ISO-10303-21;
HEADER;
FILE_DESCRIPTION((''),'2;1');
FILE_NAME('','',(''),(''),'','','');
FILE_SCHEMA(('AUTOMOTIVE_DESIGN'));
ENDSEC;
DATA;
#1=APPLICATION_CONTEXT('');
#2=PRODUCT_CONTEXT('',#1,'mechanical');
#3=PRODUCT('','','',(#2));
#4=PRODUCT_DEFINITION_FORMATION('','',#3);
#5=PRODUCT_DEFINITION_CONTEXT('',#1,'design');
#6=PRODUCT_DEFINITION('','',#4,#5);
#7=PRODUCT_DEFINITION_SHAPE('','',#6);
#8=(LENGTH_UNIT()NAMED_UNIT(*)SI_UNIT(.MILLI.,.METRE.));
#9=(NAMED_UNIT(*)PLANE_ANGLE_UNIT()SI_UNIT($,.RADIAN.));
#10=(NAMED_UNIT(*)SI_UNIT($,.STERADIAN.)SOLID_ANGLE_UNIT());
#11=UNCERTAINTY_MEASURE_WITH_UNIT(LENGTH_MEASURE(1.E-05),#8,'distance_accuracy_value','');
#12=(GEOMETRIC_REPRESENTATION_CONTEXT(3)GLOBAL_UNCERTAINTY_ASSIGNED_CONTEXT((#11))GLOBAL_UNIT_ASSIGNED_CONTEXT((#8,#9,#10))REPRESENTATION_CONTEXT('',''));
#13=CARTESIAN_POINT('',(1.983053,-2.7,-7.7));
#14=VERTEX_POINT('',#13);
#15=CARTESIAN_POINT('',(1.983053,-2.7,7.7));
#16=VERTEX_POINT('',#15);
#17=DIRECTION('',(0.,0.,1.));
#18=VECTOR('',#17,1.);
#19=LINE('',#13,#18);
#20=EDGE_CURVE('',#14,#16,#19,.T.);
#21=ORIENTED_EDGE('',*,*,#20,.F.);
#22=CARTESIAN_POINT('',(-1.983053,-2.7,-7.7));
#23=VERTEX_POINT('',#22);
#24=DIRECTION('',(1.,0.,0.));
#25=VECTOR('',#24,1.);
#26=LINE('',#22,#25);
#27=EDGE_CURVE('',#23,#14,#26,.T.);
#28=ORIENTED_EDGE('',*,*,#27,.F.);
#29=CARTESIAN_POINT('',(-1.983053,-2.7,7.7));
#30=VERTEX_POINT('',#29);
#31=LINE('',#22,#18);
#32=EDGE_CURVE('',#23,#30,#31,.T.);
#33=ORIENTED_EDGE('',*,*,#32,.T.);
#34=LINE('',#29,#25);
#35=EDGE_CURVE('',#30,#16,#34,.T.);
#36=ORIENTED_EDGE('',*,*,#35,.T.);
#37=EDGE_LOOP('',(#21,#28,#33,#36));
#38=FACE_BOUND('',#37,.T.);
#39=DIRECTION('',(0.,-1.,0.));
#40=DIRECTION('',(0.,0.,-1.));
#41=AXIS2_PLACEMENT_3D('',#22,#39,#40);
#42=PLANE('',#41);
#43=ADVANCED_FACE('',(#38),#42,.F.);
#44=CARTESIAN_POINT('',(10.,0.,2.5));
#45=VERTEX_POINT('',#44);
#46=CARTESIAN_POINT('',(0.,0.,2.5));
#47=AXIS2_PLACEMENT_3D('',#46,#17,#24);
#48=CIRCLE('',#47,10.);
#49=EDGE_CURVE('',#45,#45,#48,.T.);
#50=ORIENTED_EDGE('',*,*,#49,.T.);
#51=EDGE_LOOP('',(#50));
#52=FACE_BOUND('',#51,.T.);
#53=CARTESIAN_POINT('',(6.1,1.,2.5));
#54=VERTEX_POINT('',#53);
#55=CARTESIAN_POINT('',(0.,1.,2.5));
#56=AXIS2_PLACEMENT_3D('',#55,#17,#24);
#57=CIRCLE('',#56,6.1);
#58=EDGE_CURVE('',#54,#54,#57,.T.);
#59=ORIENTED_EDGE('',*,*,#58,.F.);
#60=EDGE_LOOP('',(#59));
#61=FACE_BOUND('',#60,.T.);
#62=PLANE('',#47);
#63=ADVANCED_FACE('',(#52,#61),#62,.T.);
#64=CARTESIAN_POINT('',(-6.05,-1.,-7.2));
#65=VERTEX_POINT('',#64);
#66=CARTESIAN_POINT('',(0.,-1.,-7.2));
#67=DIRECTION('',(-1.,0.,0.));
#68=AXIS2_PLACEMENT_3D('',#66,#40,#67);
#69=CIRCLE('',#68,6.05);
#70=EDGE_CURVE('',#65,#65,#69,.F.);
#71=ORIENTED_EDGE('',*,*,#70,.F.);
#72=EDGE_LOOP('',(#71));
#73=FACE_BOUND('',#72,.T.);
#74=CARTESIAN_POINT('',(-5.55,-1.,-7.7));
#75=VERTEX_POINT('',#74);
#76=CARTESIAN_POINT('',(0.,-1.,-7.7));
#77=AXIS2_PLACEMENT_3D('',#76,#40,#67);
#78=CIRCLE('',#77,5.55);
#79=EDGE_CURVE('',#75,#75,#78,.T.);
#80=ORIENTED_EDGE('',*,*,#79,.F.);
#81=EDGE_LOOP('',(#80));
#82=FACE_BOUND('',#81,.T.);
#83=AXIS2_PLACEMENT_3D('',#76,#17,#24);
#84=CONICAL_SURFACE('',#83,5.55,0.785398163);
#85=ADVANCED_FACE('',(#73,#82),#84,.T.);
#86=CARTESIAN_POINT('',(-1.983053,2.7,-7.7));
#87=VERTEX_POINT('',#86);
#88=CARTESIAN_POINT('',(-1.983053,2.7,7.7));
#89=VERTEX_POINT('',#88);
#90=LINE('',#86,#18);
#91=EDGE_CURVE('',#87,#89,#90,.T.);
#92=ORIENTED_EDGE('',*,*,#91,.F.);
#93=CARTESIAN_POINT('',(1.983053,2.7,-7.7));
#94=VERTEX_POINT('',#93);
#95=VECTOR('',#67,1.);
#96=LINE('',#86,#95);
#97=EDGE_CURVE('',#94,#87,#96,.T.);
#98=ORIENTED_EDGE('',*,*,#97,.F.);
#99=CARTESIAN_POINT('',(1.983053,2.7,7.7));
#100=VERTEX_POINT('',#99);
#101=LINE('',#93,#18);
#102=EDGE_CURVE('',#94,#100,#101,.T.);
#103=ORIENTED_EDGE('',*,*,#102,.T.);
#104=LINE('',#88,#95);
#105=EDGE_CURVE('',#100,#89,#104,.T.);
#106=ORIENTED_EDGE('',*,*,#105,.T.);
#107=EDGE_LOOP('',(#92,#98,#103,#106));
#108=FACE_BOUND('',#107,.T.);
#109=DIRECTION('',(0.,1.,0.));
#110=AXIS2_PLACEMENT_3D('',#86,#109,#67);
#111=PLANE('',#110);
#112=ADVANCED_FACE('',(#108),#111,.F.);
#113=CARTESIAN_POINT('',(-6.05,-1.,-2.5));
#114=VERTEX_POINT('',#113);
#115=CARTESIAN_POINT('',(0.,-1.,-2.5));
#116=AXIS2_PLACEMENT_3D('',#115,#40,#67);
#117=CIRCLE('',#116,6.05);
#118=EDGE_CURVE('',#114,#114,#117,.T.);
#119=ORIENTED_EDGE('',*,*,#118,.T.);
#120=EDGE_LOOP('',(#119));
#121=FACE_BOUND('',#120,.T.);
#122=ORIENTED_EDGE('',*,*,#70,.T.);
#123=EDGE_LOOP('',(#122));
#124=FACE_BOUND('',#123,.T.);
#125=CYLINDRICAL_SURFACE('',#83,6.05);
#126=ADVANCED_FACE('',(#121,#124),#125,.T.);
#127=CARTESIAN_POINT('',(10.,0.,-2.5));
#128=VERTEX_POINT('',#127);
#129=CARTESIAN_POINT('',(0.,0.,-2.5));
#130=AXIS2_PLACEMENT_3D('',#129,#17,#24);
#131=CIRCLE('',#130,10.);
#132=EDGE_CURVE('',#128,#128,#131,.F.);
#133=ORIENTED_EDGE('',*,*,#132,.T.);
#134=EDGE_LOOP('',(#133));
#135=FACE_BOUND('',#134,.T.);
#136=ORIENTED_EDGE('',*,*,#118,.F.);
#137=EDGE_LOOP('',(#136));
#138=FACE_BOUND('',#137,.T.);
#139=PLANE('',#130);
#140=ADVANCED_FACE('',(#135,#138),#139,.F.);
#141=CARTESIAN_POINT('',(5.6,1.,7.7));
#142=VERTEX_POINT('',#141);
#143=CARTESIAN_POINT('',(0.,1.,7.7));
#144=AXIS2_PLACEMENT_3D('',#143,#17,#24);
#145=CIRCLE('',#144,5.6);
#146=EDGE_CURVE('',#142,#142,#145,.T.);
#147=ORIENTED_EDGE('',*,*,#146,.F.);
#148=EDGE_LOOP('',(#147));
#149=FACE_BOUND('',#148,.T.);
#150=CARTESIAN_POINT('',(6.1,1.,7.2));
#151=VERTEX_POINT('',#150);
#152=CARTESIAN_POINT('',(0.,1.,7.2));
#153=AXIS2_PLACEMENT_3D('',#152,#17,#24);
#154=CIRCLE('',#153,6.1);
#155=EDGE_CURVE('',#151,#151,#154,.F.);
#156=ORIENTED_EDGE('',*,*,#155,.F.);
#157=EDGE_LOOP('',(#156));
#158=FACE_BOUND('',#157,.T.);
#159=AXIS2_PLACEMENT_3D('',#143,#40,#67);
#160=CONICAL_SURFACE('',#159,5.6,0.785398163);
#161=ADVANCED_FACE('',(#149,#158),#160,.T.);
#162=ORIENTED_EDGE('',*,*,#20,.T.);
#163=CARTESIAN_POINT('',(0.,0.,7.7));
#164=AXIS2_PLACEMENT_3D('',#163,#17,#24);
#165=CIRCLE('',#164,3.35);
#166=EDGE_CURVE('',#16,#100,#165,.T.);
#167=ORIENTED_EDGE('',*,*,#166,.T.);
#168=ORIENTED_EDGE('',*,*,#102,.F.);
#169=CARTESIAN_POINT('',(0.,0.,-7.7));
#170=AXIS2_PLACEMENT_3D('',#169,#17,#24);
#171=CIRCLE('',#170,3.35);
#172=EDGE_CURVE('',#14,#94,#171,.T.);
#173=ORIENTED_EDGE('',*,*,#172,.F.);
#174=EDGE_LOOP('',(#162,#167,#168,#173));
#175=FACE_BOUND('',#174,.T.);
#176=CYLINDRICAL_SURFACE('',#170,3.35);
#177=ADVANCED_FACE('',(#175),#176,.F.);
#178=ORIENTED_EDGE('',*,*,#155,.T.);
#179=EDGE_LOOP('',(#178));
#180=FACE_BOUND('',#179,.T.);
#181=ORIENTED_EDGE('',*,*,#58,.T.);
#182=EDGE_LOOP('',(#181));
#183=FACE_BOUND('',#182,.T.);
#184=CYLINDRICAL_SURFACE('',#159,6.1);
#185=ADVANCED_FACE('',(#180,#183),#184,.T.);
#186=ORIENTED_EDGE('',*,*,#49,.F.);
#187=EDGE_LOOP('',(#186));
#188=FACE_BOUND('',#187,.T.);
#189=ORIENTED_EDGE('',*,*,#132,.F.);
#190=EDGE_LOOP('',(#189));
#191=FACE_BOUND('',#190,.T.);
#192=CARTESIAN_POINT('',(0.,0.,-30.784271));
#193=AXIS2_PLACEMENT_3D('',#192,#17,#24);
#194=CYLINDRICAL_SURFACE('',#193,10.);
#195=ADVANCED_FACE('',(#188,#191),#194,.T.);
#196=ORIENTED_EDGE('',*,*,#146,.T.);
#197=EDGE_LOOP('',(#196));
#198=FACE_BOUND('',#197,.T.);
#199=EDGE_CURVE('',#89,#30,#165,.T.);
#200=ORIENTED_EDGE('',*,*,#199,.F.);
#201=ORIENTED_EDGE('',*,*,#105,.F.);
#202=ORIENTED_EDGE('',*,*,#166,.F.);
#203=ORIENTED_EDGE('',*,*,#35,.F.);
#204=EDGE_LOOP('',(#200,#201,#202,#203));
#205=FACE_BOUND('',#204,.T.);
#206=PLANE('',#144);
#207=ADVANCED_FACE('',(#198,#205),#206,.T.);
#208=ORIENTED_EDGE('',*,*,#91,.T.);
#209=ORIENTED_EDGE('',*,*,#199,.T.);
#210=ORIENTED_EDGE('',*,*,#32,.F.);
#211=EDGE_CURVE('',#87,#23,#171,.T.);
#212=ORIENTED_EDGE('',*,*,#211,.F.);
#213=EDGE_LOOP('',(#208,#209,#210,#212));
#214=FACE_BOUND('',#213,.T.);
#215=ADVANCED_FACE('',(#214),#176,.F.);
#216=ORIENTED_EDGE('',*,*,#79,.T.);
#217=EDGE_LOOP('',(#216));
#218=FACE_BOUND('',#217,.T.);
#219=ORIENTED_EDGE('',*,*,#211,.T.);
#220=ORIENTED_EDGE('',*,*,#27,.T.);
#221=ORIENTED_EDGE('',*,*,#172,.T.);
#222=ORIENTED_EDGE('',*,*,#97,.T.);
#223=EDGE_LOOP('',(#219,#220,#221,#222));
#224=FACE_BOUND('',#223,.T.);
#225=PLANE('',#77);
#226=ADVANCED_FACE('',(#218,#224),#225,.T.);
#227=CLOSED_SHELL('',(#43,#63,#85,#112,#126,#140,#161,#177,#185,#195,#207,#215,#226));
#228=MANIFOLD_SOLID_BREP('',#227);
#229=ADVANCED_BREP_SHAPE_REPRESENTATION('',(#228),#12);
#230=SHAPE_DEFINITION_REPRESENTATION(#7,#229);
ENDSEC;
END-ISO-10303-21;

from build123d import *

# Parameters (mm, degrees)
SKETCH6_R               = 6
BOSS_EXTRUDE4_DEPTH     = 2.5
SKETCH7_R               = 6.1
BOSS_EXTRUDE5_DEPTH     = 5.2
SKETCH8_R               = 6.05
BOSS_EXTRUDE6_DEPTH     = 5.2
SKETCH13_R              = 10
BOSS_EXTRUDE7_DEPTH     = 5
CUT_EXTRUDE1_DEPTH      = 6.2
CUT_EXTRUDE1_DEPTH_BACK = 11.2
CHAMFER1_SIZE           = 0.5


with BuildPart() as part:
    # Sketch6 → Boss-Extrude4 (new body, symmetric)
    with BuildSketch(Plane.XY):
        Circle(SKETCH6_R)
    extrude(amount=BOSS_EXTRUDE4_DEPTH, both=True)

    # Sketch7 → Boss-Extrude5 (add)
    with BuildSketch(Plane.XY.offset(2.5)):
        with Locations((0, 1)):
            Circle(SKETCH7_R)
    extrude(amount=BOSS_EXTRUDE5_DEPTH)

    # Sketch8 → Boss-Extrude6 (add)
    with BuildSketch(Plane(origin=(0, 0, -2.5), x_dir=(-1, 0, 0), z_dir=(0, 0, -1))):
        with Locations((0, -1)):
            Circle(SKETCH8_R)
    extrude(amount=BOSS_EXTRUDE6_DEPTH)

    # Sketch13 → Boss-Extrude7 (add)
    with BuildSketch(Plane.XY.offset(2.5)):
        Circle(SKETCH13_R)
    extrude(amount=-BOSS_EXTRUDE7_DEPTH)

    # Sketch11 → Cut-Extrude1 (cut, two sides)
    with BuildSketch(Plane.XY.offset(2.5)) as cut_extrude1_sk:
        with BuildLine():
            Line((-1.983053202, -2.7), (1.983053202, -2.7))
            ThreePointArc((1.983053202, -2.7), (3.35, 0), (1.983053202, 2.7))
            Line((1.983053202, 2.7), (-1.983053202, 2.7))
            ThreePointArc((-1.983053202, 2.7), (-3.35, 0), (-1.983053202, -2.7))
        make_face()
    extrude(amount=CUT_EXTRUDE1_DEPTH, mode=Mode.SUBTRACT)
    extrude(cut_extrude1_sk.sketch, amount=-CUT_EXTRUDE1_DEPTH_BACK, mode=Mode.SUBTRACT)

    # Chamfer1
    chamfer1_edges = [part.edges().sort_by_distance(p)[0] for p in [
        (6.05, -1, -7.7),
        (-6.1, 1, 7.7),
    ]]
    chamfer(chamfer1_edges, length=CHAMFER1_SIZE)


solid = part.part
